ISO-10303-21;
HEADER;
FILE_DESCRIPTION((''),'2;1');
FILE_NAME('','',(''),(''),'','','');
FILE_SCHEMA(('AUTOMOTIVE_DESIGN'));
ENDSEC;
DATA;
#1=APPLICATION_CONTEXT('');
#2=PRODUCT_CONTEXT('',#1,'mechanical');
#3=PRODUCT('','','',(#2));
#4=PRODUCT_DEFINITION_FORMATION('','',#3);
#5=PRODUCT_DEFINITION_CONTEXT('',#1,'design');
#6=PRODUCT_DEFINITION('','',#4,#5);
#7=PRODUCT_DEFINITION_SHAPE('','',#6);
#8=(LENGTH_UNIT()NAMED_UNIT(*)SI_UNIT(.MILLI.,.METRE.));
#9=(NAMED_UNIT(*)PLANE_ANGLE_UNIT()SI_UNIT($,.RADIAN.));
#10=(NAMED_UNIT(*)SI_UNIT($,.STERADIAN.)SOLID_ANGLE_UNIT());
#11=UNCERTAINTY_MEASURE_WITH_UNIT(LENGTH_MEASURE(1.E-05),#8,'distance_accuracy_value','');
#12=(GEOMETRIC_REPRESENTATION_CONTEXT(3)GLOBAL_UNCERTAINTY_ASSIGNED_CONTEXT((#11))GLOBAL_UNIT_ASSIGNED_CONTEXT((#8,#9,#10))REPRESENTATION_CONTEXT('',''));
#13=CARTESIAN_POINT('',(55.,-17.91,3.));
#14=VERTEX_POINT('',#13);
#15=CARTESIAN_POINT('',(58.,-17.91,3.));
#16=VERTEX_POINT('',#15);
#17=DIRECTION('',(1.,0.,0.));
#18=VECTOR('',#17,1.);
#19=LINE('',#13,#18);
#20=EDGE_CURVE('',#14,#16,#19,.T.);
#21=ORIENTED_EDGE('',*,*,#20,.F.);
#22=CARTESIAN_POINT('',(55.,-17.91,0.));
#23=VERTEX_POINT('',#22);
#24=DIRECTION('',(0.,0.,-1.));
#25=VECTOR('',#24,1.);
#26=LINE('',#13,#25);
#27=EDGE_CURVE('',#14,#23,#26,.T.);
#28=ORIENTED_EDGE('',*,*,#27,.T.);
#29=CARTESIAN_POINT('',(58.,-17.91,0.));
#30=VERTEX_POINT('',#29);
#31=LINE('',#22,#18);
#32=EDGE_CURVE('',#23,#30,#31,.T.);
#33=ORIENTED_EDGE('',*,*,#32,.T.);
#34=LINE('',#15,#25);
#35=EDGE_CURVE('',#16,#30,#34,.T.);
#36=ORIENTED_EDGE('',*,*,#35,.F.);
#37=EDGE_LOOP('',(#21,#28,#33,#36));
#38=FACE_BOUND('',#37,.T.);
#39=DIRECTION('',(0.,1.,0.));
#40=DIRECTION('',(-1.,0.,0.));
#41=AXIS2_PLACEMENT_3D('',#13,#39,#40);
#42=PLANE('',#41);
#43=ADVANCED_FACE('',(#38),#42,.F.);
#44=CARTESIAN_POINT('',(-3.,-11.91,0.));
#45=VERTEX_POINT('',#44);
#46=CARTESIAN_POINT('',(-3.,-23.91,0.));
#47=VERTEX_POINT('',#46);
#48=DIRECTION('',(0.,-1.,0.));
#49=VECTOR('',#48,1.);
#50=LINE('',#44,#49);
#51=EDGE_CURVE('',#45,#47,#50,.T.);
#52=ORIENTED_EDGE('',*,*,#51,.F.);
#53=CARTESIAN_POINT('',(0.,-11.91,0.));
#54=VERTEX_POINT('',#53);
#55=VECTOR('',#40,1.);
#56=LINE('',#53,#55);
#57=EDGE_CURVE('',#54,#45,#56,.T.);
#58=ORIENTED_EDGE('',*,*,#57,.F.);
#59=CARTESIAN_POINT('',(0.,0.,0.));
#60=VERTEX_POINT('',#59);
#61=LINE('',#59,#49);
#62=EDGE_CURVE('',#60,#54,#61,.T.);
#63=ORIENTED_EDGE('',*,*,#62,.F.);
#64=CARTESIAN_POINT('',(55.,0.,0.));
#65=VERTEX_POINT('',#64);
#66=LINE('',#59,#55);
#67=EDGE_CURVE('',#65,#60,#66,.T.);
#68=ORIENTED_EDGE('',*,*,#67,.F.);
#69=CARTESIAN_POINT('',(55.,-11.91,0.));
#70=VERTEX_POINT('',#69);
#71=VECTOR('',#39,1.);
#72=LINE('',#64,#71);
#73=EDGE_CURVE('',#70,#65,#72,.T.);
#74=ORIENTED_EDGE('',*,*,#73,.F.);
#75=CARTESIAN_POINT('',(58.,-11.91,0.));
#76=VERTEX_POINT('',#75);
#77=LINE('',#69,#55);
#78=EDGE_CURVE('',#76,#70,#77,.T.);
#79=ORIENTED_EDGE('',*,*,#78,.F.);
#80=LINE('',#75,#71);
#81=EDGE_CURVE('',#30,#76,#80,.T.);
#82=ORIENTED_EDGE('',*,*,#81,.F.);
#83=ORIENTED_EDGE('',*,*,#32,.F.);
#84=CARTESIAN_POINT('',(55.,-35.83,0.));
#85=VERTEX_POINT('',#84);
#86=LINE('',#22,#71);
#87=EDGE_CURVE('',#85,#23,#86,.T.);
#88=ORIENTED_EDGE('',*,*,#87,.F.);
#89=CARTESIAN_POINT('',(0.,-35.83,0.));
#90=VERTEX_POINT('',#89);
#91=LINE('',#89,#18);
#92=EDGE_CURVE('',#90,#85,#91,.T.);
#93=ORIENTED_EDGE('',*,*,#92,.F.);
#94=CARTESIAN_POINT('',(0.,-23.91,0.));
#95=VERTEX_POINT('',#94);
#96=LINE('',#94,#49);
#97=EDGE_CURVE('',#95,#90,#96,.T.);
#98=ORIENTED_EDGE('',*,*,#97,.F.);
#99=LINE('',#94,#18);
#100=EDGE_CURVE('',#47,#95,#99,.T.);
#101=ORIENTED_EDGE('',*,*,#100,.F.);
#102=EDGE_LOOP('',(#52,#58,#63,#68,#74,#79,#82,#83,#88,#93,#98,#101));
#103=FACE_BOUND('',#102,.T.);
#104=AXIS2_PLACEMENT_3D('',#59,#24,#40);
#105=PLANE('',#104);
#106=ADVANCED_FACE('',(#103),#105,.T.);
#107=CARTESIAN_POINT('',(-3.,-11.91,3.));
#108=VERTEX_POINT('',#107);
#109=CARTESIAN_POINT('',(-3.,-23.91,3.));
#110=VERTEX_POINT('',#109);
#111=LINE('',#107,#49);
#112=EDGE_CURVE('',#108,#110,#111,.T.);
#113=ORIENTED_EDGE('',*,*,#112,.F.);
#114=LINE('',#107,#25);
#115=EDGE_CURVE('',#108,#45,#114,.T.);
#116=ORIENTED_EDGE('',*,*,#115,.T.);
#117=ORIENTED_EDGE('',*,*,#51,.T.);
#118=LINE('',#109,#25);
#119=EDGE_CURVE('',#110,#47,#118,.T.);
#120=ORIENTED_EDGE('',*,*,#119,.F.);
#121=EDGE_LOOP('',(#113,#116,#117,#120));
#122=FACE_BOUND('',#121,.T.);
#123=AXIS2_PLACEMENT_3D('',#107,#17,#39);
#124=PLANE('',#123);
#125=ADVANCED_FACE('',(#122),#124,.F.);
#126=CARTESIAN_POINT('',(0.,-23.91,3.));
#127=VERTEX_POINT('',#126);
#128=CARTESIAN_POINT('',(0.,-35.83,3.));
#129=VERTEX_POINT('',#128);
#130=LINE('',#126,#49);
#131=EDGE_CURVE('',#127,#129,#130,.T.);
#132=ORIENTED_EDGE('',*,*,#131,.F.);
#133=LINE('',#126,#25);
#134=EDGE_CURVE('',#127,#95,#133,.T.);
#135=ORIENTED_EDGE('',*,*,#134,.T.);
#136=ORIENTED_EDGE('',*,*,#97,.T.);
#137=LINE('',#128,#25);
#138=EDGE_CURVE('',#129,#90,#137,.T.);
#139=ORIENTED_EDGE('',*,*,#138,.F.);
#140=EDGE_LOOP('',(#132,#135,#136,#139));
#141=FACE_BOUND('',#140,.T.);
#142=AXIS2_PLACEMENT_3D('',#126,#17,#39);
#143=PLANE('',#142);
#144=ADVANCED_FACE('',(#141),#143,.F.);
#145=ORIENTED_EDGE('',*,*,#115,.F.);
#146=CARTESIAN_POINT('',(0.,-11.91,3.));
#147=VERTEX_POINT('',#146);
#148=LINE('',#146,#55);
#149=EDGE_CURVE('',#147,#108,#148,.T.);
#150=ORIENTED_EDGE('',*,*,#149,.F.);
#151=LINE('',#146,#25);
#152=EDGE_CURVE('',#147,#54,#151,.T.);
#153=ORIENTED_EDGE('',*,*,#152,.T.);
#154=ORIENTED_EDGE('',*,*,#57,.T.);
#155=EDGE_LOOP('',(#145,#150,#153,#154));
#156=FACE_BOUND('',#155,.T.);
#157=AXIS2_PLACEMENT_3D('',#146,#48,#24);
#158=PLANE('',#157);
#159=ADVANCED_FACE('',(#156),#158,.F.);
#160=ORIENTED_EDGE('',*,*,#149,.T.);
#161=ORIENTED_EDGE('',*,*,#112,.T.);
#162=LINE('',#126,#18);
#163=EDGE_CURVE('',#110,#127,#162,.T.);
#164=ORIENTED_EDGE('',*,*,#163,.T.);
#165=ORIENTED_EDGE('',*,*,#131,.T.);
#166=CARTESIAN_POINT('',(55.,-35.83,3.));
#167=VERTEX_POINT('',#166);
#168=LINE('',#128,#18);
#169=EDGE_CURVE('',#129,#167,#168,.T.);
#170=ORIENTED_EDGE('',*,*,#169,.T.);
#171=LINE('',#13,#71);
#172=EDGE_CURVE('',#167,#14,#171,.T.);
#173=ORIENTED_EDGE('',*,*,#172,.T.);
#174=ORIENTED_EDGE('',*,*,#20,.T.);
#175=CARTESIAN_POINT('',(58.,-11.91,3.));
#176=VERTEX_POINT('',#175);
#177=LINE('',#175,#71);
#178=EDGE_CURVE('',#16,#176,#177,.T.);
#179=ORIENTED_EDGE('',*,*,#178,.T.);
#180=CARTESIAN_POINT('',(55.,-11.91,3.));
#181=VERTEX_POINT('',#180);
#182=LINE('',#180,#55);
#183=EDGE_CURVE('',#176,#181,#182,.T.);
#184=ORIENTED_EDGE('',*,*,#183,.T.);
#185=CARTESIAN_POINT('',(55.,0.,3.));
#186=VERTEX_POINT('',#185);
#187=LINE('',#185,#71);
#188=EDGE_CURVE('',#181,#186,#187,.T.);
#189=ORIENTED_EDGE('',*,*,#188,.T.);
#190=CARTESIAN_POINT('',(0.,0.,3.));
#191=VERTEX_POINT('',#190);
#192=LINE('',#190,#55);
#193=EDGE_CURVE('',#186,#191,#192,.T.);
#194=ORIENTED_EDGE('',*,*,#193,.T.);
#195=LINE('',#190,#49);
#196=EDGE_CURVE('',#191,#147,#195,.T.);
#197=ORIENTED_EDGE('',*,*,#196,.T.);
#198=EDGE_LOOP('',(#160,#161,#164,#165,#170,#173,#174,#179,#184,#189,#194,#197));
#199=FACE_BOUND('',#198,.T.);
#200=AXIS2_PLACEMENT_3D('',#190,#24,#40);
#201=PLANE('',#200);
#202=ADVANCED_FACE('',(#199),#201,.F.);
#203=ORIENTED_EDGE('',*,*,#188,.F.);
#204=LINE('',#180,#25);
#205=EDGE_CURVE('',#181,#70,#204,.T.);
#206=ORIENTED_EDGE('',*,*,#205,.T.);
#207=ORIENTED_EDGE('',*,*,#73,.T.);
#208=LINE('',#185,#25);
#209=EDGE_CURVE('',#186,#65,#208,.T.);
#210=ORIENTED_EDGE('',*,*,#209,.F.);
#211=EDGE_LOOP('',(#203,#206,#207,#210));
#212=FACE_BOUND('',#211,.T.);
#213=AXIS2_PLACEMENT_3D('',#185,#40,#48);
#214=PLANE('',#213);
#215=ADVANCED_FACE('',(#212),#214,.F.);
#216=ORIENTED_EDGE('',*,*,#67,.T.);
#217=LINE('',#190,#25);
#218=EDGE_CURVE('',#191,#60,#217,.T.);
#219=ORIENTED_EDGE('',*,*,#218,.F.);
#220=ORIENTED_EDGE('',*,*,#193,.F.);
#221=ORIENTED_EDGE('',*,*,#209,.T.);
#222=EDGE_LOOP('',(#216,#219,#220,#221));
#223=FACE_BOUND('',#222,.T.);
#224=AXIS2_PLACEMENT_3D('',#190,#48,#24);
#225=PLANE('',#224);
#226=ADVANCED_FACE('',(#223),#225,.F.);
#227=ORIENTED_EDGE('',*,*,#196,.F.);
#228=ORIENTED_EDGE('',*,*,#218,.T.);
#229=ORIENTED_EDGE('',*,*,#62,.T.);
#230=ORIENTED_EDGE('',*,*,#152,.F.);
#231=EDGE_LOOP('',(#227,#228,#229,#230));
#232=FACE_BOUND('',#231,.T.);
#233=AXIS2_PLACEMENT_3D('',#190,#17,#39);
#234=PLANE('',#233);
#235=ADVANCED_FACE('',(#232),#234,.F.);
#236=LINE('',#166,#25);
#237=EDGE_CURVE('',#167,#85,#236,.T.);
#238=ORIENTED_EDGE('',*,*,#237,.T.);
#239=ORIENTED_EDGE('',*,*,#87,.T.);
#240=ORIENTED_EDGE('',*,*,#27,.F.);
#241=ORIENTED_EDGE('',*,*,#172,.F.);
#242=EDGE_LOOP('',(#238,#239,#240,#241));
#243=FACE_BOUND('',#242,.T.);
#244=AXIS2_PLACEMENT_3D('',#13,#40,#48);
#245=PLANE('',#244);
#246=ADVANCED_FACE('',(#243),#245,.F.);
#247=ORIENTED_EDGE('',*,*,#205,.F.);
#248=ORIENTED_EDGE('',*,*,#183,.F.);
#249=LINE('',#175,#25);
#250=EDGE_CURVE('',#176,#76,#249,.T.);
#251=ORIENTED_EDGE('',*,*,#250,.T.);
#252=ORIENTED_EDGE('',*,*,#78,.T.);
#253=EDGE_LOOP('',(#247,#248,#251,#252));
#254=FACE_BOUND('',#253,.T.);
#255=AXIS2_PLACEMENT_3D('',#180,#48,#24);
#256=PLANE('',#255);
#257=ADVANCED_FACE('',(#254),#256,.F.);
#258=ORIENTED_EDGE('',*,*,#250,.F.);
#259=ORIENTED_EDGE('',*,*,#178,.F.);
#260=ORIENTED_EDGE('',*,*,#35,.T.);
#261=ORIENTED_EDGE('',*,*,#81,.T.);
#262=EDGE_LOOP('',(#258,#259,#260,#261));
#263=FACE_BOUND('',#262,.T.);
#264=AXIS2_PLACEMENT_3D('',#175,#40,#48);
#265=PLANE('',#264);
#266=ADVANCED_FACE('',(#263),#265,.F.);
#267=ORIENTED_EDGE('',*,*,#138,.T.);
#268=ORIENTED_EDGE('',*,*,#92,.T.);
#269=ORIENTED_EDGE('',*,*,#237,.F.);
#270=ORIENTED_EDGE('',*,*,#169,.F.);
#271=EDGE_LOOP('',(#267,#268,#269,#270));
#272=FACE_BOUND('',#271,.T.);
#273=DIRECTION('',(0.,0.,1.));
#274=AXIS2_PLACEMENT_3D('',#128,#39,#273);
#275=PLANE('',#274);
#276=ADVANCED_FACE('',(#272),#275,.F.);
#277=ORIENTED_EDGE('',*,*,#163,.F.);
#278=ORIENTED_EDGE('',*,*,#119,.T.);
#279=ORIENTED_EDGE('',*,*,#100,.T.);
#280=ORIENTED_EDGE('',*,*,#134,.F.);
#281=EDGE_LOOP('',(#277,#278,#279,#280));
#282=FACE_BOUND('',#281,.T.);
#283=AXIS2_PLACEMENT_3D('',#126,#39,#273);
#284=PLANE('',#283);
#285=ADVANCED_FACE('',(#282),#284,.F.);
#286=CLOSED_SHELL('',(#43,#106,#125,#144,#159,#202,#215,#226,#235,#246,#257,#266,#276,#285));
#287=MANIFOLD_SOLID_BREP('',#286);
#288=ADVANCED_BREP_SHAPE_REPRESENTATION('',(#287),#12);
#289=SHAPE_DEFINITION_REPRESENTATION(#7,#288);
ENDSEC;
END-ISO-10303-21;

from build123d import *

# Parameters (mm, degrees)
P_IDAT_VYSUNUT_M1_DEPTH = 3


with BuildPart() as part:
    # Skica1 → Přidat vysunutím1 (new body)
    with BuildSketch(Plane.XY):
        Polygon((55, -17.91), (55, -35.83), (0, -35.83), (0, -23.91), (-3, -23.91), (-3, -11.91), (0, -11.91), (0, 0), (55, 0), (55, -11.91), (58, -11.91), (58, -17.91), align=None)
    extrude(amount=P_IDAT_VYSUNUT_M1_DEPTH)


solid = part.part
